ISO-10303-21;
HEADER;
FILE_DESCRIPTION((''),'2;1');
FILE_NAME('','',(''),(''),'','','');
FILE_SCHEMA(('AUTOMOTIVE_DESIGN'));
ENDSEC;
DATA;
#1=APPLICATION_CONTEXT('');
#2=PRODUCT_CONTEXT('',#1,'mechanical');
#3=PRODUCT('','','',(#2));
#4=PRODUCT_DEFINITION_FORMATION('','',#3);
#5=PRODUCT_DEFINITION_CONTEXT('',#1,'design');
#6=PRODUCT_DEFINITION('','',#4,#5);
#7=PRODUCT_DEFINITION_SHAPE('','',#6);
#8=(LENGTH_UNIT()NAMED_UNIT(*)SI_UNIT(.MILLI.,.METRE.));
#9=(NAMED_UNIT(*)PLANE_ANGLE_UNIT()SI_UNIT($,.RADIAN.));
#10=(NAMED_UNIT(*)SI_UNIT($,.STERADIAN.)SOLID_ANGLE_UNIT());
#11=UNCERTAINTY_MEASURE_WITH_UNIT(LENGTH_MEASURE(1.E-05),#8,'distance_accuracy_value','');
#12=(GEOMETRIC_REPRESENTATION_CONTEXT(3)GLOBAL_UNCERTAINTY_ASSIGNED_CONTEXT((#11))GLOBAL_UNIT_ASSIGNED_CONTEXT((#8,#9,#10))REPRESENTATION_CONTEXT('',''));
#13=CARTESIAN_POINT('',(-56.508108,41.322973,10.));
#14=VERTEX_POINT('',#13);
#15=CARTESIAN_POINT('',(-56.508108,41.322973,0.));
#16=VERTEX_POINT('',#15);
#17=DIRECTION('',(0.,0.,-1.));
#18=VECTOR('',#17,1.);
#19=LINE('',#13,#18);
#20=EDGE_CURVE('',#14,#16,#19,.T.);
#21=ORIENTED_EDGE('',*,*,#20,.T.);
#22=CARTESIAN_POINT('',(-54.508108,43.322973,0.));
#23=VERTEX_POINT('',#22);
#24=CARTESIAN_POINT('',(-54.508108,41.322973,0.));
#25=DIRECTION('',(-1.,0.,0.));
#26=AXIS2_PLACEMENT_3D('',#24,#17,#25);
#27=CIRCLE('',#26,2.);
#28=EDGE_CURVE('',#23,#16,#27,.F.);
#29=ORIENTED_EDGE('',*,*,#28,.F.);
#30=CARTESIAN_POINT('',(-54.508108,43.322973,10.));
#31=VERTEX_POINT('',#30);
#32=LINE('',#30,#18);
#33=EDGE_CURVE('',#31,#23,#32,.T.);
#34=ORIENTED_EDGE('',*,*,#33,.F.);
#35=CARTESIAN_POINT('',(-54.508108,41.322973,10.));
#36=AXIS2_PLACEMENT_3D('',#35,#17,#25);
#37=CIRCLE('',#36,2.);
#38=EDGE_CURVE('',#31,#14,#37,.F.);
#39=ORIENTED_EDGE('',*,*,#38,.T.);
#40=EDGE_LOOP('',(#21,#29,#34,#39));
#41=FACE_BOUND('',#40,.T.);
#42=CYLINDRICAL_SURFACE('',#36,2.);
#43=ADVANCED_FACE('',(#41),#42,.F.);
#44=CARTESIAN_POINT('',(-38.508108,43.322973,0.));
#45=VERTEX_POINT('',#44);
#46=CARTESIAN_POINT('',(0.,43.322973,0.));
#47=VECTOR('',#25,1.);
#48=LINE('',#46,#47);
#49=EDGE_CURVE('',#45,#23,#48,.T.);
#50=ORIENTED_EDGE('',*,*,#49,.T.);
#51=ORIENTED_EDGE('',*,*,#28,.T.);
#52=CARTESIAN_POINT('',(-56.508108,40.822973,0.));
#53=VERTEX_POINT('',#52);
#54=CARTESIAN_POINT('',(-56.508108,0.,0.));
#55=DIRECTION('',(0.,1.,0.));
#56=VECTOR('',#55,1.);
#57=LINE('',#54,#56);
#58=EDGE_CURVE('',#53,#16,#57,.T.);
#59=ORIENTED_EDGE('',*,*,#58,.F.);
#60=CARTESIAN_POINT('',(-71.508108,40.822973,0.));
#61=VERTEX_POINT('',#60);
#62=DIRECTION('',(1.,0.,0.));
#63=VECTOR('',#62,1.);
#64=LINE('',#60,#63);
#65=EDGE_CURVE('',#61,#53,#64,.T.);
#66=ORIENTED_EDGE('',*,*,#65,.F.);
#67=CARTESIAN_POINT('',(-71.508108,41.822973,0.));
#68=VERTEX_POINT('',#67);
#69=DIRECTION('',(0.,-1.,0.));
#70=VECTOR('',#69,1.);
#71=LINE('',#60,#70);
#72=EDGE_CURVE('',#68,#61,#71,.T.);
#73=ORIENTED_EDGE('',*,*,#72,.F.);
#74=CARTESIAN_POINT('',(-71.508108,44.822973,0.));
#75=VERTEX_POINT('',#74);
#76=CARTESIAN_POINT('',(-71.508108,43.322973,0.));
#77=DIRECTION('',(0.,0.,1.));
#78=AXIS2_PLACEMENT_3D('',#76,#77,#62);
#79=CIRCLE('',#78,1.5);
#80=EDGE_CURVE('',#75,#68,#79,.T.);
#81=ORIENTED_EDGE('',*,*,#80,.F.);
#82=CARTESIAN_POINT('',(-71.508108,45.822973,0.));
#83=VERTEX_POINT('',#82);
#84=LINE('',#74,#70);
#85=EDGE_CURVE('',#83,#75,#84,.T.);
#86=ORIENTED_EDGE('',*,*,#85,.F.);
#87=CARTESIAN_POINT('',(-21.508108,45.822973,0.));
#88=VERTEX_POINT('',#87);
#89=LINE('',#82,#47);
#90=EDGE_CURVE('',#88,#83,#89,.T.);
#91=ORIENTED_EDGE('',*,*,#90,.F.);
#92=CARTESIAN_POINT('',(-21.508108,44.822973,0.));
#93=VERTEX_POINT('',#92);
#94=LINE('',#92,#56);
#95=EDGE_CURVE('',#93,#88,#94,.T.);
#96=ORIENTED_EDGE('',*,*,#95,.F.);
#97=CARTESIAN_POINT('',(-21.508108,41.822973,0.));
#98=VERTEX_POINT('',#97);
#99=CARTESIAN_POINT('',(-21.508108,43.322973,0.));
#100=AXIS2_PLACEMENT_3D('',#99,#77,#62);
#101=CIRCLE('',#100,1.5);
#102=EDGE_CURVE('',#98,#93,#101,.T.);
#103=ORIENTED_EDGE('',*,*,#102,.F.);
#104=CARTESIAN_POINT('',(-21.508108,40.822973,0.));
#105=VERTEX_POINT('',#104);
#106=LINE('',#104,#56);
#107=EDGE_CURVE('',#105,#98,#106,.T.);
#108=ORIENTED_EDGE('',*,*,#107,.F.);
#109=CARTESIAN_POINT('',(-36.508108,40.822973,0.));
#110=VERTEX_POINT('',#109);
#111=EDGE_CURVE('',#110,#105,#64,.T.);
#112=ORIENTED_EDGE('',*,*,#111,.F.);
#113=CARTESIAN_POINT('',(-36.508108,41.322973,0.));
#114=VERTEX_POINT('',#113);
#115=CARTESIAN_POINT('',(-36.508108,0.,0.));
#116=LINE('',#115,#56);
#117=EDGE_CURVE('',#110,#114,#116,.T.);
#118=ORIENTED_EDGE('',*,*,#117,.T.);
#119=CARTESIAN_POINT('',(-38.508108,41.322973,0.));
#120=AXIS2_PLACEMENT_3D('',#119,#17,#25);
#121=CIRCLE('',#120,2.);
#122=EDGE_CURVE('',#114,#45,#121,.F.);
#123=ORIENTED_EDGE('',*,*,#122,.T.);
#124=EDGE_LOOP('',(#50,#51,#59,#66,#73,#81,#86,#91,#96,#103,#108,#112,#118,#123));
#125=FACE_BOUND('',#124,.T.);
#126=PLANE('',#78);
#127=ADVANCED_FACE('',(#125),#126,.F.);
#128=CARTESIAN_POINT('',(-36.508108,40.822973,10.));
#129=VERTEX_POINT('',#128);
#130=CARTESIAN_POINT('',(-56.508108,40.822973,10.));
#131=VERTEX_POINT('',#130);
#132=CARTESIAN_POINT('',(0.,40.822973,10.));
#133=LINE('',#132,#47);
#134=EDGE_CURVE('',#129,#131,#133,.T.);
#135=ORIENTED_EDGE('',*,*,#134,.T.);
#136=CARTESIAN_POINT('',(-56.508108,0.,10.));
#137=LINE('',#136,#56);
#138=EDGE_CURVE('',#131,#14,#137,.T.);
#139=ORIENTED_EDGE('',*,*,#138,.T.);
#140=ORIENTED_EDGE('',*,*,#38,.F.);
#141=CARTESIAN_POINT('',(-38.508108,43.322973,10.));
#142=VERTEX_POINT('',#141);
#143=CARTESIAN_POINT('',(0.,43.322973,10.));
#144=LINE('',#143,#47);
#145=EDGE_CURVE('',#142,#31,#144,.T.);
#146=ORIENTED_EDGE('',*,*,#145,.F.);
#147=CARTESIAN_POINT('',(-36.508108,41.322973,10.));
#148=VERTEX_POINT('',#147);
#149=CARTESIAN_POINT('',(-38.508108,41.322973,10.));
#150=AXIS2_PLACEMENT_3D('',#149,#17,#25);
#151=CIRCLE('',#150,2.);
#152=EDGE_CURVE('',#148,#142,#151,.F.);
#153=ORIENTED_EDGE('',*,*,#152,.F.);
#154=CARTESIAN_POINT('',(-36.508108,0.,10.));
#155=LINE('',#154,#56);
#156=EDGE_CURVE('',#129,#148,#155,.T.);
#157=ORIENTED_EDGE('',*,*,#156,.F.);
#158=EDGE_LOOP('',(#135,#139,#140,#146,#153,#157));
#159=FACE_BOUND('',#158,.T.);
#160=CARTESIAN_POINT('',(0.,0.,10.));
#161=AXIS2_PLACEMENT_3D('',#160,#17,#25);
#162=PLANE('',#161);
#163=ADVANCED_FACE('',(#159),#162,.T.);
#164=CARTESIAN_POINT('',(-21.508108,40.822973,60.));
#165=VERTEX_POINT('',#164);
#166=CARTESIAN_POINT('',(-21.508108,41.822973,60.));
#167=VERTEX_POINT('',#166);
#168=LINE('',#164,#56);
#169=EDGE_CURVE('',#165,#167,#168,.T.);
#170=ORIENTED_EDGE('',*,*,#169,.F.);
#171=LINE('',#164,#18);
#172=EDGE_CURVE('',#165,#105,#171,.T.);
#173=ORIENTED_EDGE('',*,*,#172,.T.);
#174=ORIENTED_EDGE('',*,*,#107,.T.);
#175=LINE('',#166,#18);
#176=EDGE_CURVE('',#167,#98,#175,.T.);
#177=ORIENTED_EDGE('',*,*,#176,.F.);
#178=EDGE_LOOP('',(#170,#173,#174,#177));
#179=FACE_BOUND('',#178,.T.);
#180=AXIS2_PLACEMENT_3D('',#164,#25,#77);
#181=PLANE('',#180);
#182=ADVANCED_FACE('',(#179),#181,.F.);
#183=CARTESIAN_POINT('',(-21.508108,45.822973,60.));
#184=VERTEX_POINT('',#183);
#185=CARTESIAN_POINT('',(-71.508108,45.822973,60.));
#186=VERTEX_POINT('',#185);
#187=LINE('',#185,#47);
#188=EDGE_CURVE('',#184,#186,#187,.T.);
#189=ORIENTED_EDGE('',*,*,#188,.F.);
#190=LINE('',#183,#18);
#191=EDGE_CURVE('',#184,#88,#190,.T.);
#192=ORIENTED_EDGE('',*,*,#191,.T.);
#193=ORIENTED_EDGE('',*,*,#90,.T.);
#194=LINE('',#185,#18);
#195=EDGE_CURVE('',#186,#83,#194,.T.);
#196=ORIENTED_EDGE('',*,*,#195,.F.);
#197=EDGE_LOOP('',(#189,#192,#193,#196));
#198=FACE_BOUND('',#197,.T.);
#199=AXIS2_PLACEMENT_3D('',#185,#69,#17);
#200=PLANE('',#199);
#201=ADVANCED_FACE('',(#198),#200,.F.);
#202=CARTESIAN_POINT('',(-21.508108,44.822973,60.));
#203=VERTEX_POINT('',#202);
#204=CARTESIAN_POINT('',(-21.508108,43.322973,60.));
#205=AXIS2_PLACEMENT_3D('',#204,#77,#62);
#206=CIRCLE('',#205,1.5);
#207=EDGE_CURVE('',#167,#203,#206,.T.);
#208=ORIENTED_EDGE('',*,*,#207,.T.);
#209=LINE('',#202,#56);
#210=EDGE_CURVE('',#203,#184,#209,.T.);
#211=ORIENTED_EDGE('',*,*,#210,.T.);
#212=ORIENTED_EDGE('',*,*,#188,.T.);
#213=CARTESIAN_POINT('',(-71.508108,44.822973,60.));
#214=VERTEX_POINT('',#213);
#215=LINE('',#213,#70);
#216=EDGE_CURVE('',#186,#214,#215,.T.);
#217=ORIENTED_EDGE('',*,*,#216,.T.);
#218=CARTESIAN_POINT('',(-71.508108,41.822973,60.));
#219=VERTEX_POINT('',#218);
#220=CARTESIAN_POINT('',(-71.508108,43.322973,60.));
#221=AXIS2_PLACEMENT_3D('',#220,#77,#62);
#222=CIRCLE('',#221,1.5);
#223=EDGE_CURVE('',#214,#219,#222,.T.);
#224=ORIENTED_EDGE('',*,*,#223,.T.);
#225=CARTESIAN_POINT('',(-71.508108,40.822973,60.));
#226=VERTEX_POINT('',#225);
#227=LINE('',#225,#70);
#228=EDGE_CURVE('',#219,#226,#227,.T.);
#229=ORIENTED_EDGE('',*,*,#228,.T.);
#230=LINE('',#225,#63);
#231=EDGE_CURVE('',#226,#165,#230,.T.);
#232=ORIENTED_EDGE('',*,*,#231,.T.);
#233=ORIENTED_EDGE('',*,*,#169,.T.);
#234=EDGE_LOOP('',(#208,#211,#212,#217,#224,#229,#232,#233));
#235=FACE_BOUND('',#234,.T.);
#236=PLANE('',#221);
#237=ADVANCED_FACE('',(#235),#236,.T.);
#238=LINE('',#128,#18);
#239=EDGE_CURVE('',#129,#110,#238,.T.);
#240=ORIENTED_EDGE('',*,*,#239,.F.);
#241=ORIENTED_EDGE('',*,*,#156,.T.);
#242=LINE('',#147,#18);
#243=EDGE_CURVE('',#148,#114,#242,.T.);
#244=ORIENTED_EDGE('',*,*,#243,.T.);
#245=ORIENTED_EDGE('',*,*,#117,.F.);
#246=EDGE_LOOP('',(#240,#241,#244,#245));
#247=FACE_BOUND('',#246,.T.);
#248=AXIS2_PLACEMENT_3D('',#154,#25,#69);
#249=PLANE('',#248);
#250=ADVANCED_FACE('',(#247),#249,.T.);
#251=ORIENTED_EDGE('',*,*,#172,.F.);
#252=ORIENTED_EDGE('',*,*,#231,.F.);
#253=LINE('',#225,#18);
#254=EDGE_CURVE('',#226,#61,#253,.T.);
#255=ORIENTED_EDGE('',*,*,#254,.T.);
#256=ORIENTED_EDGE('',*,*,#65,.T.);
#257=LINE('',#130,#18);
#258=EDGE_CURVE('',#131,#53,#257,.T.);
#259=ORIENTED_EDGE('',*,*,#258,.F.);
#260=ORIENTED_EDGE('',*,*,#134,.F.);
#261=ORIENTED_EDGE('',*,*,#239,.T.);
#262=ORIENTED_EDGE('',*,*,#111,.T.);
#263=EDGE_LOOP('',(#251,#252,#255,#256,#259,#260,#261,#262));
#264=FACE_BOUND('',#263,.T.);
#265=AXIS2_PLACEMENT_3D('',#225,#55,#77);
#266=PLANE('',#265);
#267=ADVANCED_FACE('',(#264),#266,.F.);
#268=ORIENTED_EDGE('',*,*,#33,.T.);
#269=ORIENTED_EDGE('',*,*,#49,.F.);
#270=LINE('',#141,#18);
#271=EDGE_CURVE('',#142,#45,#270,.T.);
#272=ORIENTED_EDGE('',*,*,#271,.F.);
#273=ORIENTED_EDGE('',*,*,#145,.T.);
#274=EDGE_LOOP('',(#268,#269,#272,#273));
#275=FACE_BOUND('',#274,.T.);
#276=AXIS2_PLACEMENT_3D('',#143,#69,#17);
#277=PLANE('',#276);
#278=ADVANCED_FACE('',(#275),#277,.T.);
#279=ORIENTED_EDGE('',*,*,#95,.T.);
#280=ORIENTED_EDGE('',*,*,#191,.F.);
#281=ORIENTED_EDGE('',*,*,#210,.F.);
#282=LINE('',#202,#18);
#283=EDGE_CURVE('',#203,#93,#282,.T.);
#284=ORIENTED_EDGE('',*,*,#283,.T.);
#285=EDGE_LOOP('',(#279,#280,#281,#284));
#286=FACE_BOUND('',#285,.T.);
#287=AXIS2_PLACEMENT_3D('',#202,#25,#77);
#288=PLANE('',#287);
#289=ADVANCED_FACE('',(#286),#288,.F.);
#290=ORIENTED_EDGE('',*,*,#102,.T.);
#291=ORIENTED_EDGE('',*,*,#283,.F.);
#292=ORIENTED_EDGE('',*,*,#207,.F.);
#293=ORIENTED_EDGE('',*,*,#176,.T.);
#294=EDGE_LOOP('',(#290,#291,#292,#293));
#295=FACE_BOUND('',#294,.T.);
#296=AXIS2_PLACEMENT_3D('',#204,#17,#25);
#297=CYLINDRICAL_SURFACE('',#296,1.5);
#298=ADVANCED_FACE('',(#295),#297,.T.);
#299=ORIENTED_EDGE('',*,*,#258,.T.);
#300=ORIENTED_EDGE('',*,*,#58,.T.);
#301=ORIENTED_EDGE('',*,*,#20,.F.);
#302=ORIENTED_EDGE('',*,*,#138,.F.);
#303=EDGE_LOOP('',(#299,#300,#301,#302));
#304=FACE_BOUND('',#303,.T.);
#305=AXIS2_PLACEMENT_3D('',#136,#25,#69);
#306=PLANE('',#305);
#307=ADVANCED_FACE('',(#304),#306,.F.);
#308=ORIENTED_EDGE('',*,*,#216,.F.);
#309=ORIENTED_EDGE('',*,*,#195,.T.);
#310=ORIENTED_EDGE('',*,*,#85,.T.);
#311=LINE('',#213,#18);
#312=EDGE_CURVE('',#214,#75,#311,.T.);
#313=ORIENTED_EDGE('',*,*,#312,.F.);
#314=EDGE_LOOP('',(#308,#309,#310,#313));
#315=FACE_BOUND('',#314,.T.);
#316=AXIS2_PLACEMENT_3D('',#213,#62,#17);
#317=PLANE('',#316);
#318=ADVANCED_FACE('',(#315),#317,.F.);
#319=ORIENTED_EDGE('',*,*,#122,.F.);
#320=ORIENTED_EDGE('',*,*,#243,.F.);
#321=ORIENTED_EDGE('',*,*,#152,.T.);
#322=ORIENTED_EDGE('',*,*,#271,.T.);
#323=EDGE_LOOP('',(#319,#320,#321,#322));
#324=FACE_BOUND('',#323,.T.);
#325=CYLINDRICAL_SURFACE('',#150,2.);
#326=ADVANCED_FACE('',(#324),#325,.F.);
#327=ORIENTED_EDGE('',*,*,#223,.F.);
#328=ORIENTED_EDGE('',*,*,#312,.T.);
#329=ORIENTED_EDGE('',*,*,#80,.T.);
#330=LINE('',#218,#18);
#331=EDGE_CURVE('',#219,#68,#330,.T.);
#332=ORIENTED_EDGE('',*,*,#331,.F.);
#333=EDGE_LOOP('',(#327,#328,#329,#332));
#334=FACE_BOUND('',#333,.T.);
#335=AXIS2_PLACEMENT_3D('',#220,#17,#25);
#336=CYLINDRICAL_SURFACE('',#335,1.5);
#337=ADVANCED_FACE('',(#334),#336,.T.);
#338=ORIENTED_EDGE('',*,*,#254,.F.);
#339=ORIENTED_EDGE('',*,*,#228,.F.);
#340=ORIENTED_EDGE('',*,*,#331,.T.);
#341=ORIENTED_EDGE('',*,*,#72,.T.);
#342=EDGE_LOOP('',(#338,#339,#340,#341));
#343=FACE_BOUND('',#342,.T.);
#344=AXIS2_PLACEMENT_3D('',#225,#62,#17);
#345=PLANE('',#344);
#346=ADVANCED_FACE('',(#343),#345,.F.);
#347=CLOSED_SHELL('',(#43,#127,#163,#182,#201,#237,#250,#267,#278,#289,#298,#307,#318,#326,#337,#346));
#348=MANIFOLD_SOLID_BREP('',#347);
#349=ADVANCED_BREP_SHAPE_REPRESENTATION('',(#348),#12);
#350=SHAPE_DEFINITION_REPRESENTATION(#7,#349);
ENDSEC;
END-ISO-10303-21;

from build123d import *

# Parameters (mm, degrees)
SALIENTE_EXTRUIR1_DEPTH = 60
CORTAR_EXTRUIR1_DEPTH   = 10


with BuildPart() as part:
    # Croquis1 → Saliente-Extruir1 (new body)
    with BuildSketch(Plane.XY):
        with BuildLine():
            Line((-71.508108108, 44.822972973), (-71.508108108, 45.822972973))
            Line((-71.508108108, 45.822972973), (-21.508108108, 45.822972973))
            Line((-21.508108108, 45.822972973), (-21.508108108, 44.822972973))
            ThreePointArc((-21.508108108, 44.822972973), (-20.008108108, 43.322972973), (-21.508108108, 41.822972973))
            Line((-21.508108108, 41.822972973), (-21.508108108, 40.822972973))
            Line((-21.508108108, 40.822972973), (-71.508108108, 40.822972973))
            Line((-71.508108108, 40.822972973), (-71.508108108, 41.822972973))
            ThreePointArc((-71.508108108, 41.822972973), (-73.008108108, 43.322972973), (-71.508108108, 44.822972973))
        make_face()
    extrude(amount=SALIENTE_EXTRUIR1_DEPTH)

    # Croquis3 → Cortar-Extruir1 (cut)
    with BuildSketch(Plane(origin=(0, 0, 0), x_dir=(-1, 0, 0), z_dir=(0, 0, -1))):
        with BuildLine():
            Line((36.508108108, 41.322972973), (36.508108108, 40.822972973))
            Line((36.508108108, 40.822972973), (56.508108108, 40.822972973))
            Line((56.508108108, 40.822972973), (56.508108108, 41.322972973))
            ThreePointArc((56.508108108, 41.322972973), (55.92232167, 42.737186535), (54.508108108, 43.322972973))
            Line((54.508108108, 43.322972973), (38.508108108, 43.322972973))
            ThreePointArc((38.508108108, 43.322972973), (37.093894546, 42.737186535), (36.508108108, 41.322972973))
        make_face()
    extrude(amount=-CORTAR_EXTRUIR1_DEPTH, mode=Mode.SUBTRACT)


solid = part.part
